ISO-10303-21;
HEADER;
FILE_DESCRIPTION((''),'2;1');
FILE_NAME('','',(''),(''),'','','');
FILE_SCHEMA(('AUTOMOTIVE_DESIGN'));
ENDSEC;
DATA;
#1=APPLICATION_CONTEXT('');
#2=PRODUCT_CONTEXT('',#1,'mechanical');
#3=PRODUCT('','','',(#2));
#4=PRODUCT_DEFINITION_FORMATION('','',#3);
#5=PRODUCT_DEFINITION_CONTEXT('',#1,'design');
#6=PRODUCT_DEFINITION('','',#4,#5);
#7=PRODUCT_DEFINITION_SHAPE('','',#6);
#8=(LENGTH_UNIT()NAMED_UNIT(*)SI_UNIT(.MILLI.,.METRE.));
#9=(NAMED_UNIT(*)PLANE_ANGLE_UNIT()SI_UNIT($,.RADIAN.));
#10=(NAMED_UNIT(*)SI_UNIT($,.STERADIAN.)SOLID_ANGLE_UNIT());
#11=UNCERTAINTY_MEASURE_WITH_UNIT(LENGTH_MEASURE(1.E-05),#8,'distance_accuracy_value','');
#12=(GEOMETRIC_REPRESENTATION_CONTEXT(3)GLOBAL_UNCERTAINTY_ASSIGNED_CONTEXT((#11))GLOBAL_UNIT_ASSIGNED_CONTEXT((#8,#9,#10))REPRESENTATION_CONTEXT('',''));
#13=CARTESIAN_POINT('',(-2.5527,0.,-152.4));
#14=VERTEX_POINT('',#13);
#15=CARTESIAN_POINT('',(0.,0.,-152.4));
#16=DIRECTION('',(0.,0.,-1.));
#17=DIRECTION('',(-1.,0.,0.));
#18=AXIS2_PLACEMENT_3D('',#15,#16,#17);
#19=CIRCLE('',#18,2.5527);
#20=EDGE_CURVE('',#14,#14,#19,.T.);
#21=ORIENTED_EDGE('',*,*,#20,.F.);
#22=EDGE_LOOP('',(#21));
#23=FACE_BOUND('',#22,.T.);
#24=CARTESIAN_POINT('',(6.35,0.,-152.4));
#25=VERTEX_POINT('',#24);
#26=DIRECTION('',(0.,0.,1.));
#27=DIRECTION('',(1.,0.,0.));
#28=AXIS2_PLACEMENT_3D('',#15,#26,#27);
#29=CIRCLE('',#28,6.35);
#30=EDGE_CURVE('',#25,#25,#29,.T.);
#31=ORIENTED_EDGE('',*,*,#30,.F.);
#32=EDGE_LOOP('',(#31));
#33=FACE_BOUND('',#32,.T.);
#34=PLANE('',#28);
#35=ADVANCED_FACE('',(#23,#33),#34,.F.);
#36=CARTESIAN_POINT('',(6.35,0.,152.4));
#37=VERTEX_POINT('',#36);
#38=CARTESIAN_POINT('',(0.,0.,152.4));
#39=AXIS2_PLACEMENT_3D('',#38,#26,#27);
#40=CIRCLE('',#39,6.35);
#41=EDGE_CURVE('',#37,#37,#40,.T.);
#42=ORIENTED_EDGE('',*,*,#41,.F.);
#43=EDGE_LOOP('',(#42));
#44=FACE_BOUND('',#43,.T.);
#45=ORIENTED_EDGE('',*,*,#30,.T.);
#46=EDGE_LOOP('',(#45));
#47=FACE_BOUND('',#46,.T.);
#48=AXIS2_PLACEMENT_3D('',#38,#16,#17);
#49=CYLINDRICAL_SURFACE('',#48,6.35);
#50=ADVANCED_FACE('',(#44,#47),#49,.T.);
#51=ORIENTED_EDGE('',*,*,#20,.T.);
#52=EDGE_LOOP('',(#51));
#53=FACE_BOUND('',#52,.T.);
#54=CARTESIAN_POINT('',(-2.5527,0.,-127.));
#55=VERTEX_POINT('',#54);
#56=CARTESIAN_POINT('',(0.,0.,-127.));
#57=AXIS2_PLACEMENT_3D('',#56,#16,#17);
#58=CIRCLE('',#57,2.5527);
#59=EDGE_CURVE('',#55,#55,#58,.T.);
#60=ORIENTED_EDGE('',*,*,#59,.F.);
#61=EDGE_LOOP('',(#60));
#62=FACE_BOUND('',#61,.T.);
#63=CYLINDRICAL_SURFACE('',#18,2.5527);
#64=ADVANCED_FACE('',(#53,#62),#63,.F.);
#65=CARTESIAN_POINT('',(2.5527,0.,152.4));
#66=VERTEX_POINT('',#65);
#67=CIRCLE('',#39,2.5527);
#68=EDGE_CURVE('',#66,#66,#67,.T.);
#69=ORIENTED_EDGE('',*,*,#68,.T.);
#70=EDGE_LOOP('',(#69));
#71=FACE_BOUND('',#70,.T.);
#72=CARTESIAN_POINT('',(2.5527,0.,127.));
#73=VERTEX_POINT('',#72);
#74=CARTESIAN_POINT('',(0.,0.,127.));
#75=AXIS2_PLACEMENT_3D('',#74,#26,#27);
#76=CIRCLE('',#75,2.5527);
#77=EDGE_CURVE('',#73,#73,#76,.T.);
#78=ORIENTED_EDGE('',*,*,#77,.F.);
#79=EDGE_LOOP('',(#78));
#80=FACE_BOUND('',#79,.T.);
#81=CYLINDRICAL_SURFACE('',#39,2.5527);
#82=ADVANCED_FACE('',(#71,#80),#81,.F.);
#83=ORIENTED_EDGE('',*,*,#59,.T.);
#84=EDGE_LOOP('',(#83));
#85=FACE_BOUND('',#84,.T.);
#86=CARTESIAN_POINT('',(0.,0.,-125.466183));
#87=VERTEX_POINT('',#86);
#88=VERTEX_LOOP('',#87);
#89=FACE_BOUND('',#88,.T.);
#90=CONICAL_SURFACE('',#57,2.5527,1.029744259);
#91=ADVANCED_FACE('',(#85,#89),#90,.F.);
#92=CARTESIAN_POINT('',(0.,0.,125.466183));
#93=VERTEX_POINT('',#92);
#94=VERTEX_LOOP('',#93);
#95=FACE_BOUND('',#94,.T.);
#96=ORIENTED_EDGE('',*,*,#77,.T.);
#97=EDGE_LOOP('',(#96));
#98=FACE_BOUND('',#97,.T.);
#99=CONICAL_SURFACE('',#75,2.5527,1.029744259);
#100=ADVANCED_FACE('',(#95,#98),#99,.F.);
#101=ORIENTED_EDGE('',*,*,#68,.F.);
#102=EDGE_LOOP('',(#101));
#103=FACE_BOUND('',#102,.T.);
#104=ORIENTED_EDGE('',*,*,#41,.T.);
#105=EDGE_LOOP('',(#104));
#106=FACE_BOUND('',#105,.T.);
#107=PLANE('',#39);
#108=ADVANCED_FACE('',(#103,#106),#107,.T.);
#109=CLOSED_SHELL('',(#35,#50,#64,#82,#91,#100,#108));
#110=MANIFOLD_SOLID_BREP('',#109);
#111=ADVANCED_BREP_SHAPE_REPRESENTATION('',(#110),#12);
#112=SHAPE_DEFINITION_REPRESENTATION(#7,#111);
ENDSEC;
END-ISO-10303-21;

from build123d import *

# Parameters (mm, degrees)
BOSS_EXTRUDE1_DEPTH      = 152.4
BOSS_EXTRUDE1_DEPTH_BACK = 152.4
SKETCH3_R                = 6.35


with BuildPart() as part:
    # Sketch3 → Boss-Extrude1 (new, two sides: drawn at the far end of the back side and taken through both)
    with BuildSketch(Plane.XY.offset(-BOSS_EXTRUDE1_DEPTH_BACK)):
        Circle(SKETCH3_R)
    extrude(amount=BOSS_EXTRUDE1_DEPTH + BOSS_EXTRUDE1_DEPTH_BACK)

    # Sketch7 → 1/4-20 Tapped Hole1 (revolve, cut)
    with BuildSketch(Plane(origin=(0, 0, -152.4), x_dir=(0, 1, 0), z_dir=(1, 0, 0))):
        Polygon((0, 0), (0, 26.933816902), (2.5527, 25.4), (2.5527, 0), align=None)
    f_1_4_20_tapped_hole1 = revolve(axis=Axis((0, 0, -158.75), (0, 0, 1)), mode=Mode.SUBTRACT)

    # Mirror1: 1/4-20 Tapped Hole1 across plane
    add(f_1_4_20_tapped_hole1.mirror(Plane.XY), mode=Mode.SUBTRACT)


solid = part.part
